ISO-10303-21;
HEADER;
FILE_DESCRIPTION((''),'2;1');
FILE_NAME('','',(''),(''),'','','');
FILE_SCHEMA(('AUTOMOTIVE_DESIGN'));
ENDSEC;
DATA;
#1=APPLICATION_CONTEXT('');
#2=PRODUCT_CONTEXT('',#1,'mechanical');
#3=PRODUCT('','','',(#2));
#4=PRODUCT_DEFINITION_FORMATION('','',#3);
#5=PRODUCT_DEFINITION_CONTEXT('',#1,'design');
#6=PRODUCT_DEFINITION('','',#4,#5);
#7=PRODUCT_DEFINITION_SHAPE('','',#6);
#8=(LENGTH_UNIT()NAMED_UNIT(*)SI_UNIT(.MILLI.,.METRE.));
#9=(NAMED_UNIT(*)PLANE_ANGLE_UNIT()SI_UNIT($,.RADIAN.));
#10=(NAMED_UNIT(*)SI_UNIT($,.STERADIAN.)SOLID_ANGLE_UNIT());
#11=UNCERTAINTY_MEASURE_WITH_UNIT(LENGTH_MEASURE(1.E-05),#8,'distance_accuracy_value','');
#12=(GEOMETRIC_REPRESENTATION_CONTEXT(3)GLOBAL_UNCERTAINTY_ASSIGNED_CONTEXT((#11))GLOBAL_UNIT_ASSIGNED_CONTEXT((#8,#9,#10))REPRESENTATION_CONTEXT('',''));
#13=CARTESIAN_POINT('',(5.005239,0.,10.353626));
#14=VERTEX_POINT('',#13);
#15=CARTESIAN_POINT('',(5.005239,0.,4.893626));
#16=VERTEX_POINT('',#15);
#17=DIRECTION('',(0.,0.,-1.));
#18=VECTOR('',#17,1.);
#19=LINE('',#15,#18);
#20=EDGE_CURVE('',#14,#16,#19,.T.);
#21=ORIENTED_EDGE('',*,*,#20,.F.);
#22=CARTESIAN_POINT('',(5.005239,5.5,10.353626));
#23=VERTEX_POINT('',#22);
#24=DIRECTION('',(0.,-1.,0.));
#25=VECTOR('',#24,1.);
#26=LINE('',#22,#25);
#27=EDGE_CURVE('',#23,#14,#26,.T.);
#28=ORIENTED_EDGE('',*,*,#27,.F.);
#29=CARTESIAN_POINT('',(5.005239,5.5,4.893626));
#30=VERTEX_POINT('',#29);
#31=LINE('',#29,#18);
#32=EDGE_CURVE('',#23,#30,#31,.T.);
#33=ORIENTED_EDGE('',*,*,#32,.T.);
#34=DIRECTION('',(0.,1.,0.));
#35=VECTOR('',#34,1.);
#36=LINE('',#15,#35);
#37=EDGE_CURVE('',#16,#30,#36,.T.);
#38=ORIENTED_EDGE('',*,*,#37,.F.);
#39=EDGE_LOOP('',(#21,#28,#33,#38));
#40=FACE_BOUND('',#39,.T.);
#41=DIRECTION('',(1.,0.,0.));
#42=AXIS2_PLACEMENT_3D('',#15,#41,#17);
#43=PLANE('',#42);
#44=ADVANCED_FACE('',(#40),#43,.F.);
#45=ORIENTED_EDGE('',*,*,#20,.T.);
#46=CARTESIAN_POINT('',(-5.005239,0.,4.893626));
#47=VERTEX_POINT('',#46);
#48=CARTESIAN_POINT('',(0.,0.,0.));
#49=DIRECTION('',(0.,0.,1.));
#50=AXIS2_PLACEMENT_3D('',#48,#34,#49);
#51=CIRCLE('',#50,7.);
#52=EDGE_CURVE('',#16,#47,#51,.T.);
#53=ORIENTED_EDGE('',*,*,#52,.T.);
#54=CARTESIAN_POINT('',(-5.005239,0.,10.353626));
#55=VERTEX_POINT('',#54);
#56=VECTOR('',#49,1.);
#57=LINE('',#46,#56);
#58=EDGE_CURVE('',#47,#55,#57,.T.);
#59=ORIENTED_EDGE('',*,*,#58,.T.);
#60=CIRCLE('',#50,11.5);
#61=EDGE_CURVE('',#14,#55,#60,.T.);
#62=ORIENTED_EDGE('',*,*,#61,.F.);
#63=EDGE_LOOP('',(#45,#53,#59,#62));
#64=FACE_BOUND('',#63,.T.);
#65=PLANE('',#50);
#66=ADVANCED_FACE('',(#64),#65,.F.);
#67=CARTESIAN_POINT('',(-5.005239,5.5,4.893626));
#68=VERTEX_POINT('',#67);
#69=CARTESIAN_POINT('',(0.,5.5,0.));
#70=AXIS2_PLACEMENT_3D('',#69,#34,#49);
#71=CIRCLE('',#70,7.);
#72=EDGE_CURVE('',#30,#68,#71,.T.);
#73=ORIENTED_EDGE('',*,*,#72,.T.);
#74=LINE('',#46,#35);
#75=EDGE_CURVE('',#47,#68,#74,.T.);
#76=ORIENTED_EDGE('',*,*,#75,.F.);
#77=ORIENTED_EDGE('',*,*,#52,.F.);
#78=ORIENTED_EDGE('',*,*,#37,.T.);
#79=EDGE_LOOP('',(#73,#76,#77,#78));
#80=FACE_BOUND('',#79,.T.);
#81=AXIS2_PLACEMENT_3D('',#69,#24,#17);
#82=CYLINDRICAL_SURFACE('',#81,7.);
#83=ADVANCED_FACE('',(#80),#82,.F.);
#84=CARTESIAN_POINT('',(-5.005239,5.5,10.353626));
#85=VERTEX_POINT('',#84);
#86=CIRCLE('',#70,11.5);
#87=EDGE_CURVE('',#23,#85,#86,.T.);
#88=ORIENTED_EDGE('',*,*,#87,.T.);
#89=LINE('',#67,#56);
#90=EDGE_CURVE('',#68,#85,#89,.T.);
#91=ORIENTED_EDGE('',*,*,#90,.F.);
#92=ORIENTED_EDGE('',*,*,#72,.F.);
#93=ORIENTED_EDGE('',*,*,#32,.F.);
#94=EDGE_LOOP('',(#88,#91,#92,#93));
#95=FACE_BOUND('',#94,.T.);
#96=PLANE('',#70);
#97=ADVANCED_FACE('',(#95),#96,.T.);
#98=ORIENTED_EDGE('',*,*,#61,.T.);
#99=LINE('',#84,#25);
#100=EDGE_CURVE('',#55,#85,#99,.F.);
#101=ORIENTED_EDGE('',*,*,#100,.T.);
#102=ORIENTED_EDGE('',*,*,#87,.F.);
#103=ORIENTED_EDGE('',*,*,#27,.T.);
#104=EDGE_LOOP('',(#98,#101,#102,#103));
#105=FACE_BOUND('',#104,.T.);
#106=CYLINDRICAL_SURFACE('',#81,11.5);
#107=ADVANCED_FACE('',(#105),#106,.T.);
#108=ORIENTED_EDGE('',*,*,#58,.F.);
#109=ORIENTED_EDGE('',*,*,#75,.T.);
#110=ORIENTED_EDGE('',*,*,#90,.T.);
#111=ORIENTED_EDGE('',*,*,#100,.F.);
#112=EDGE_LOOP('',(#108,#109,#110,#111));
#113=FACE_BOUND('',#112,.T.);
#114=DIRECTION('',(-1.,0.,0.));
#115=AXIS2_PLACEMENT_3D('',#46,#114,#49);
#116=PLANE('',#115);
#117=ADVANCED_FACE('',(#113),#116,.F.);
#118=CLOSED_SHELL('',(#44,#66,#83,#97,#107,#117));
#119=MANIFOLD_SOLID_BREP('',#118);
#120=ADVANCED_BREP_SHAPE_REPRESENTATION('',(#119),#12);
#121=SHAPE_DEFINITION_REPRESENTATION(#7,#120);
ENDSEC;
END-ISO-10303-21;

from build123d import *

# Parameters (mm, degrees)
CROQUIS1_R              = 11.5
CROQUIS1_R_2            = 7
SALIENTE_EXTRUIR1_DEPTH = 5.5
CROQUIS2_W              = 10.010478692
CROQUIS2_H              = 6.606373626
CORTAR_EXTRUIR1_DEPTH   = 18.168284713


with BuildPart() as part:
    # Croquis1 → Saliente-Extruir1 (new body)
    with BuildSketch(Plane(origin=(0, 0, 0), x_dir=(1, 0, 0), z_dir=(0, 1, 0))):
        with Locations(Location((0, 0, 0), (0, 0, 270))):
            Circle(CROQUIS1_R)
        with Locations(Location((0, 0, 0), (0, 0, 270))):
            Circle(CROQUIS1_R_2, mode=Mode.SUBTRACT)
    extrude(amount=SALIENTE_EXTRUIR1_DEPTH)

    # Croquis2 → Cortar-Extruir1 (cut, through all)
    with BuildSketch(Plane(origin=(0, 5.5, 0), x_dir=(1, 0, 0), z_dir=(0, 1, 0))):
        with Locations((0, -8.196813187)):
            Rectangle(CROQUIS2_W, CROQUIS2_H)
    extrude(amount=-CORTAR_EXTRUIR1_DEPTH, mode=Mode.SUBTRACT)


solid = part.part
